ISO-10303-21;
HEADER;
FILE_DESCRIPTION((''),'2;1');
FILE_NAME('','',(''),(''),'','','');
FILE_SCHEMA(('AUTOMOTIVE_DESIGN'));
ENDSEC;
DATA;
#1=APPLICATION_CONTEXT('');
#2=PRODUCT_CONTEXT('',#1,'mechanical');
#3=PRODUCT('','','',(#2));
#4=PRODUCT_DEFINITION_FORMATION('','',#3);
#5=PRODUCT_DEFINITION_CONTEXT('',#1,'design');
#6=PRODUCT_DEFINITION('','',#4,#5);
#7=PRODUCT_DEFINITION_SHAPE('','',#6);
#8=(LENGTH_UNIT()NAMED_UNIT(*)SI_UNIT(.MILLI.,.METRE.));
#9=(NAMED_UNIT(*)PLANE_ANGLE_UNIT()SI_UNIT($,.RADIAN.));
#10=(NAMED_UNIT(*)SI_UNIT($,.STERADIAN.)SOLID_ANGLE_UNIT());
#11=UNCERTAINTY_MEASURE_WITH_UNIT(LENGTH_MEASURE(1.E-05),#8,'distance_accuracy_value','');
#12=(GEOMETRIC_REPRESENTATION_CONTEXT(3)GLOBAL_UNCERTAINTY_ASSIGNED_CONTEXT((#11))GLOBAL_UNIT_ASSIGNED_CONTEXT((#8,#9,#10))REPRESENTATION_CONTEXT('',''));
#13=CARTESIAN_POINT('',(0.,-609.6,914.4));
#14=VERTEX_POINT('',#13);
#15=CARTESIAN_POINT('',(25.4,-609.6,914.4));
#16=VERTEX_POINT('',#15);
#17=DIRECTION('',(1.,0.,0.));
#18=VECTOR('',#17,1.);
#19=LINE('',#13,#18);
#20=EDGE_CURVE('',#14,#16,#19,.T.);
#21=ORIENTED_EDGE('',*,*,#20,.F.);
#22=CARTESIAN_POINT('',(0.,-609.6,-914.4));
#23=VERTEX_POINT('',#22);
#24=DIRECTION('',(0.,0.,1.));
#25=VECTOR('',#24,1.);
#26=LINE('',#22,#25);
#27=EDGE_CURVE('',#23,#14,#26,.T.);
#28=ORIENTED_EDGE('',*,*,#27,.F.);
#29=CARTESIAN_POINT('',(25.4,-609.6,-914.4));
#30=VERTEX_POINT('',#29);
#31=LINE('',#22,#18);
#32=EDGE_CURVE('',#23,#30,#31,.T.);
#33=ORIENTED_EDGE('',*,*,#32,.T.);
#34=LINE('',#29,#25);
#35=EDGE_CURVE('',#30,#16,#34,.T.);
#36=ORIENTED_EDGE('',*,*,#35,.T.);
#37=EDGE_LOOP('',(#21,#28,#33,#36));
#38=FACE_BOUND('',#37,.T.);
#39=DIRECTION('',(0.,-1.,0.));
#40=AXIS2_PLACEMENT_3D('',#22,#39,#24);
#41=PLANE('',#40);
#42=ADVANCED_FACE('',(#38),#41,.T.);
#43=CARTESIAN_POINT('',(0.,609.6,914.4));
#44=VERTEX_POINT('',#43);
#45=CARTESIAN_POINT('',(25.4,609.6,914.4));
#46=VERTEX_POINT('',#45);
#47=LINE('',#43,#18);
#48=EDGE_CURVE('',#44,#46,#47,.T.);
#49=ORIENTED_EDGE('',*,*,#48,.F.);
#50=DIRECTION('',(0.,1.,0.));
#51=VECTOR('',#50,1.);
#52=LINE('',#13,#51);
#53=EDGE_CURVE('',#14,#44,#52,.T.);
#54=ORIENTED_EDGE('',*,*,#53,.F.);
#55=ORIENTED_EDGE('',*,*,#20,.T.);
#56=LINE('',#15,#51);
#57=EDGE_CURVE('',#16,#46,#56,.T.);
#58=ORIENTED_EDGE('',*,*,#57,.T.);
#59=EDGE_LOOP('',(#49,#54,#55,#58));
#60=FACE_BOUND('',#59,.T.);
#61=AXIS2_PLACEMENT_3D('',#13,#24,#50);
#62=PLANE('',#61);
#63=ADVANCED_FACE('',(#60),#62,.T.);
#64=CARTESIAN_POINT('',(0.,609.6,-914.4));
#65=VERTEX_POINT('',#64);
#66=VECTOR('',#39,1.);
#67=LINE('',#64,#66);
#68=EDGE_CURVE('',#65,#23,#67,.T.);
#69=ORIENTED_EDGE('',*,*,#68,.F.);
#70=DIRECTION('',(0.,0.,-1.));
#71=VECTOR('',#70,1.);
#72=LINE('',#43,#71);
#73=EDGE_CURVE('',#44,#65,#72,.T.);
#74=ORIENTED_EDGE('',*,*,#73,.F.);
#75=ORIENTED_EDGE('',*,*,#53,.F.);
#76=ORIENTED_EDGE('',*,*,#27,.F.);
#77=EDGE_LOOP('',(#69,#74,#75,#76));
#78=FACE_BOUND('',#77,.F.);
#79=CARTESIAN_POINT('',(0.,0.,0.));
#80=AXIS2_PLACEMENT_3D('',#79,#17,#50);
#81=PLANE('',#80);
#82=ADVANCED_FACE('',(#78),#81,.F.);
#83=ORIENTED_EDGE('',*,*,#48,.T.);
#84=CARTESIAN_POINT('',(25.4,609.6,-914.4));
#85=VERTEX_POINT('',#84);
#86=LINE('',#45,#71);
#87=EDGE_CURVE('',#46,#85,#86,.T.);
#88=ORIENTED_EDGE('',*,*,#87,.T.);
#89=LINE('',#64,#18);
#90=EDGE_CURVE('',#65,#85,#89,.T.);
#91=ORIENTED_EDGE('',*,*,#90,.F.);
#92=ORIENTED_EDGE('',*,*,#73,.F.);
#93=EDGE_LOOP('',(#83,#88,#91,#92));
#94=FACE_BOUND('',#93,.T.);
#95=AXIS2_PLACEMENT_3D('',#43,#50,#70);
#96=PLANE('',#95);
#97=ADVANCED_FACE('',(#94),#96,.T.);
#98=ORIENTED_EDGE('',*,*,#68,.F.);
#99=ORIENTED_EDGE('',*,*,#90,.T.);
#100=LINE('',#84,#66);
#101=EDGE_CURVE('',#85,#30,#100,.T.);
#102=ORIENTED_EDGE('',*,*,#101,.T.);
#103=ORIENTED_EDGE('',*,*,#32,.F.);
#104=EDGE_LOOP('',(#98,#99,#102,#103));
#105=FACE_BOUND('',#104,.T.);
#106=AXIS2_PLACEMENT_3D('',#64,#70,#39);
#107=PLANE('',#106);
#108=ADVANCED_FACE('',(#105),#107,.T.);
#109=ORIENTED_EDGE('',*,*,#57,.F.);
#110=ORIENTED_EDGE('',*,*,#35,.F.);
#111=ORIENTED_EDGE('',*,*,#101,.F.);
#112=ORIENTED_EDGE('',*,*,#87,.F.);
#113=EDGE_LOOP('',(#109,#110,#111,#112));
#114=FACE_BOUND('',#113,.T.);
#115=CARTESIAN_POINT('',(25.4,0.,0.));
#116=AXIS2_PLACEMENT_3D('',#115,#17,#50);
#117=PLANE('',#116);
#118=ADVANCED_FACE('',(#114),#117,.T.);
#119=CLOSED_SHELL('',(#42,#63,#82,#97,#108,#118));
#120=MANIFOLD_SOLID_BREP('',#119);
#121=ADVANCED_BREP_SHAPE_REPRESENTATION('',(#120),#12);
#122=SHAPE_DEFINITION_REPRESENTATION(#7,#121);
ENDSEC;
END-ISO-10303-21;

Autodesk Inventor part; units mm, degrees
ref_plane "YZ Plane" through (0, 0, 0) normal (1, 0, 0) x (0, 1, 0)
ref_plane "XZ Plane" through (0, 0, 0) normal (0, 1, 0) x (-1, 0, 0)
ref_plane "XY Plane" through (0, 0, 0) normal (0, 0, 1) x (1, 0, 0)
sketch "Sketch1" plane through (0, 0, 0) normal (1, 0, 0) x (0, 1, 0)
  line L0 (-609.6, 914.4) -> (609.6, 914.4)
  line L1 (609.6, 914.4) -> (609.6, -914.4)
  line L2 (609.6, -914.4) -> (-609.6, -914.4)
  line L3 (-609.6, -914.4) -> (-609.6, 914.4)
  line L4 (-609.6, 914.4) -> (609.6, -914.4) construction
  line L5 (609.6, 914.4) -> (-609.6, -914.4) construction
  point P0 (0, 0)
  dimension "d0" = 1219.2
  dimension "d1" = 1828.8
extrude "Extrusion1" add sketch "Sketch1" along normal blind 25.4
properties part number "6'x4'"
